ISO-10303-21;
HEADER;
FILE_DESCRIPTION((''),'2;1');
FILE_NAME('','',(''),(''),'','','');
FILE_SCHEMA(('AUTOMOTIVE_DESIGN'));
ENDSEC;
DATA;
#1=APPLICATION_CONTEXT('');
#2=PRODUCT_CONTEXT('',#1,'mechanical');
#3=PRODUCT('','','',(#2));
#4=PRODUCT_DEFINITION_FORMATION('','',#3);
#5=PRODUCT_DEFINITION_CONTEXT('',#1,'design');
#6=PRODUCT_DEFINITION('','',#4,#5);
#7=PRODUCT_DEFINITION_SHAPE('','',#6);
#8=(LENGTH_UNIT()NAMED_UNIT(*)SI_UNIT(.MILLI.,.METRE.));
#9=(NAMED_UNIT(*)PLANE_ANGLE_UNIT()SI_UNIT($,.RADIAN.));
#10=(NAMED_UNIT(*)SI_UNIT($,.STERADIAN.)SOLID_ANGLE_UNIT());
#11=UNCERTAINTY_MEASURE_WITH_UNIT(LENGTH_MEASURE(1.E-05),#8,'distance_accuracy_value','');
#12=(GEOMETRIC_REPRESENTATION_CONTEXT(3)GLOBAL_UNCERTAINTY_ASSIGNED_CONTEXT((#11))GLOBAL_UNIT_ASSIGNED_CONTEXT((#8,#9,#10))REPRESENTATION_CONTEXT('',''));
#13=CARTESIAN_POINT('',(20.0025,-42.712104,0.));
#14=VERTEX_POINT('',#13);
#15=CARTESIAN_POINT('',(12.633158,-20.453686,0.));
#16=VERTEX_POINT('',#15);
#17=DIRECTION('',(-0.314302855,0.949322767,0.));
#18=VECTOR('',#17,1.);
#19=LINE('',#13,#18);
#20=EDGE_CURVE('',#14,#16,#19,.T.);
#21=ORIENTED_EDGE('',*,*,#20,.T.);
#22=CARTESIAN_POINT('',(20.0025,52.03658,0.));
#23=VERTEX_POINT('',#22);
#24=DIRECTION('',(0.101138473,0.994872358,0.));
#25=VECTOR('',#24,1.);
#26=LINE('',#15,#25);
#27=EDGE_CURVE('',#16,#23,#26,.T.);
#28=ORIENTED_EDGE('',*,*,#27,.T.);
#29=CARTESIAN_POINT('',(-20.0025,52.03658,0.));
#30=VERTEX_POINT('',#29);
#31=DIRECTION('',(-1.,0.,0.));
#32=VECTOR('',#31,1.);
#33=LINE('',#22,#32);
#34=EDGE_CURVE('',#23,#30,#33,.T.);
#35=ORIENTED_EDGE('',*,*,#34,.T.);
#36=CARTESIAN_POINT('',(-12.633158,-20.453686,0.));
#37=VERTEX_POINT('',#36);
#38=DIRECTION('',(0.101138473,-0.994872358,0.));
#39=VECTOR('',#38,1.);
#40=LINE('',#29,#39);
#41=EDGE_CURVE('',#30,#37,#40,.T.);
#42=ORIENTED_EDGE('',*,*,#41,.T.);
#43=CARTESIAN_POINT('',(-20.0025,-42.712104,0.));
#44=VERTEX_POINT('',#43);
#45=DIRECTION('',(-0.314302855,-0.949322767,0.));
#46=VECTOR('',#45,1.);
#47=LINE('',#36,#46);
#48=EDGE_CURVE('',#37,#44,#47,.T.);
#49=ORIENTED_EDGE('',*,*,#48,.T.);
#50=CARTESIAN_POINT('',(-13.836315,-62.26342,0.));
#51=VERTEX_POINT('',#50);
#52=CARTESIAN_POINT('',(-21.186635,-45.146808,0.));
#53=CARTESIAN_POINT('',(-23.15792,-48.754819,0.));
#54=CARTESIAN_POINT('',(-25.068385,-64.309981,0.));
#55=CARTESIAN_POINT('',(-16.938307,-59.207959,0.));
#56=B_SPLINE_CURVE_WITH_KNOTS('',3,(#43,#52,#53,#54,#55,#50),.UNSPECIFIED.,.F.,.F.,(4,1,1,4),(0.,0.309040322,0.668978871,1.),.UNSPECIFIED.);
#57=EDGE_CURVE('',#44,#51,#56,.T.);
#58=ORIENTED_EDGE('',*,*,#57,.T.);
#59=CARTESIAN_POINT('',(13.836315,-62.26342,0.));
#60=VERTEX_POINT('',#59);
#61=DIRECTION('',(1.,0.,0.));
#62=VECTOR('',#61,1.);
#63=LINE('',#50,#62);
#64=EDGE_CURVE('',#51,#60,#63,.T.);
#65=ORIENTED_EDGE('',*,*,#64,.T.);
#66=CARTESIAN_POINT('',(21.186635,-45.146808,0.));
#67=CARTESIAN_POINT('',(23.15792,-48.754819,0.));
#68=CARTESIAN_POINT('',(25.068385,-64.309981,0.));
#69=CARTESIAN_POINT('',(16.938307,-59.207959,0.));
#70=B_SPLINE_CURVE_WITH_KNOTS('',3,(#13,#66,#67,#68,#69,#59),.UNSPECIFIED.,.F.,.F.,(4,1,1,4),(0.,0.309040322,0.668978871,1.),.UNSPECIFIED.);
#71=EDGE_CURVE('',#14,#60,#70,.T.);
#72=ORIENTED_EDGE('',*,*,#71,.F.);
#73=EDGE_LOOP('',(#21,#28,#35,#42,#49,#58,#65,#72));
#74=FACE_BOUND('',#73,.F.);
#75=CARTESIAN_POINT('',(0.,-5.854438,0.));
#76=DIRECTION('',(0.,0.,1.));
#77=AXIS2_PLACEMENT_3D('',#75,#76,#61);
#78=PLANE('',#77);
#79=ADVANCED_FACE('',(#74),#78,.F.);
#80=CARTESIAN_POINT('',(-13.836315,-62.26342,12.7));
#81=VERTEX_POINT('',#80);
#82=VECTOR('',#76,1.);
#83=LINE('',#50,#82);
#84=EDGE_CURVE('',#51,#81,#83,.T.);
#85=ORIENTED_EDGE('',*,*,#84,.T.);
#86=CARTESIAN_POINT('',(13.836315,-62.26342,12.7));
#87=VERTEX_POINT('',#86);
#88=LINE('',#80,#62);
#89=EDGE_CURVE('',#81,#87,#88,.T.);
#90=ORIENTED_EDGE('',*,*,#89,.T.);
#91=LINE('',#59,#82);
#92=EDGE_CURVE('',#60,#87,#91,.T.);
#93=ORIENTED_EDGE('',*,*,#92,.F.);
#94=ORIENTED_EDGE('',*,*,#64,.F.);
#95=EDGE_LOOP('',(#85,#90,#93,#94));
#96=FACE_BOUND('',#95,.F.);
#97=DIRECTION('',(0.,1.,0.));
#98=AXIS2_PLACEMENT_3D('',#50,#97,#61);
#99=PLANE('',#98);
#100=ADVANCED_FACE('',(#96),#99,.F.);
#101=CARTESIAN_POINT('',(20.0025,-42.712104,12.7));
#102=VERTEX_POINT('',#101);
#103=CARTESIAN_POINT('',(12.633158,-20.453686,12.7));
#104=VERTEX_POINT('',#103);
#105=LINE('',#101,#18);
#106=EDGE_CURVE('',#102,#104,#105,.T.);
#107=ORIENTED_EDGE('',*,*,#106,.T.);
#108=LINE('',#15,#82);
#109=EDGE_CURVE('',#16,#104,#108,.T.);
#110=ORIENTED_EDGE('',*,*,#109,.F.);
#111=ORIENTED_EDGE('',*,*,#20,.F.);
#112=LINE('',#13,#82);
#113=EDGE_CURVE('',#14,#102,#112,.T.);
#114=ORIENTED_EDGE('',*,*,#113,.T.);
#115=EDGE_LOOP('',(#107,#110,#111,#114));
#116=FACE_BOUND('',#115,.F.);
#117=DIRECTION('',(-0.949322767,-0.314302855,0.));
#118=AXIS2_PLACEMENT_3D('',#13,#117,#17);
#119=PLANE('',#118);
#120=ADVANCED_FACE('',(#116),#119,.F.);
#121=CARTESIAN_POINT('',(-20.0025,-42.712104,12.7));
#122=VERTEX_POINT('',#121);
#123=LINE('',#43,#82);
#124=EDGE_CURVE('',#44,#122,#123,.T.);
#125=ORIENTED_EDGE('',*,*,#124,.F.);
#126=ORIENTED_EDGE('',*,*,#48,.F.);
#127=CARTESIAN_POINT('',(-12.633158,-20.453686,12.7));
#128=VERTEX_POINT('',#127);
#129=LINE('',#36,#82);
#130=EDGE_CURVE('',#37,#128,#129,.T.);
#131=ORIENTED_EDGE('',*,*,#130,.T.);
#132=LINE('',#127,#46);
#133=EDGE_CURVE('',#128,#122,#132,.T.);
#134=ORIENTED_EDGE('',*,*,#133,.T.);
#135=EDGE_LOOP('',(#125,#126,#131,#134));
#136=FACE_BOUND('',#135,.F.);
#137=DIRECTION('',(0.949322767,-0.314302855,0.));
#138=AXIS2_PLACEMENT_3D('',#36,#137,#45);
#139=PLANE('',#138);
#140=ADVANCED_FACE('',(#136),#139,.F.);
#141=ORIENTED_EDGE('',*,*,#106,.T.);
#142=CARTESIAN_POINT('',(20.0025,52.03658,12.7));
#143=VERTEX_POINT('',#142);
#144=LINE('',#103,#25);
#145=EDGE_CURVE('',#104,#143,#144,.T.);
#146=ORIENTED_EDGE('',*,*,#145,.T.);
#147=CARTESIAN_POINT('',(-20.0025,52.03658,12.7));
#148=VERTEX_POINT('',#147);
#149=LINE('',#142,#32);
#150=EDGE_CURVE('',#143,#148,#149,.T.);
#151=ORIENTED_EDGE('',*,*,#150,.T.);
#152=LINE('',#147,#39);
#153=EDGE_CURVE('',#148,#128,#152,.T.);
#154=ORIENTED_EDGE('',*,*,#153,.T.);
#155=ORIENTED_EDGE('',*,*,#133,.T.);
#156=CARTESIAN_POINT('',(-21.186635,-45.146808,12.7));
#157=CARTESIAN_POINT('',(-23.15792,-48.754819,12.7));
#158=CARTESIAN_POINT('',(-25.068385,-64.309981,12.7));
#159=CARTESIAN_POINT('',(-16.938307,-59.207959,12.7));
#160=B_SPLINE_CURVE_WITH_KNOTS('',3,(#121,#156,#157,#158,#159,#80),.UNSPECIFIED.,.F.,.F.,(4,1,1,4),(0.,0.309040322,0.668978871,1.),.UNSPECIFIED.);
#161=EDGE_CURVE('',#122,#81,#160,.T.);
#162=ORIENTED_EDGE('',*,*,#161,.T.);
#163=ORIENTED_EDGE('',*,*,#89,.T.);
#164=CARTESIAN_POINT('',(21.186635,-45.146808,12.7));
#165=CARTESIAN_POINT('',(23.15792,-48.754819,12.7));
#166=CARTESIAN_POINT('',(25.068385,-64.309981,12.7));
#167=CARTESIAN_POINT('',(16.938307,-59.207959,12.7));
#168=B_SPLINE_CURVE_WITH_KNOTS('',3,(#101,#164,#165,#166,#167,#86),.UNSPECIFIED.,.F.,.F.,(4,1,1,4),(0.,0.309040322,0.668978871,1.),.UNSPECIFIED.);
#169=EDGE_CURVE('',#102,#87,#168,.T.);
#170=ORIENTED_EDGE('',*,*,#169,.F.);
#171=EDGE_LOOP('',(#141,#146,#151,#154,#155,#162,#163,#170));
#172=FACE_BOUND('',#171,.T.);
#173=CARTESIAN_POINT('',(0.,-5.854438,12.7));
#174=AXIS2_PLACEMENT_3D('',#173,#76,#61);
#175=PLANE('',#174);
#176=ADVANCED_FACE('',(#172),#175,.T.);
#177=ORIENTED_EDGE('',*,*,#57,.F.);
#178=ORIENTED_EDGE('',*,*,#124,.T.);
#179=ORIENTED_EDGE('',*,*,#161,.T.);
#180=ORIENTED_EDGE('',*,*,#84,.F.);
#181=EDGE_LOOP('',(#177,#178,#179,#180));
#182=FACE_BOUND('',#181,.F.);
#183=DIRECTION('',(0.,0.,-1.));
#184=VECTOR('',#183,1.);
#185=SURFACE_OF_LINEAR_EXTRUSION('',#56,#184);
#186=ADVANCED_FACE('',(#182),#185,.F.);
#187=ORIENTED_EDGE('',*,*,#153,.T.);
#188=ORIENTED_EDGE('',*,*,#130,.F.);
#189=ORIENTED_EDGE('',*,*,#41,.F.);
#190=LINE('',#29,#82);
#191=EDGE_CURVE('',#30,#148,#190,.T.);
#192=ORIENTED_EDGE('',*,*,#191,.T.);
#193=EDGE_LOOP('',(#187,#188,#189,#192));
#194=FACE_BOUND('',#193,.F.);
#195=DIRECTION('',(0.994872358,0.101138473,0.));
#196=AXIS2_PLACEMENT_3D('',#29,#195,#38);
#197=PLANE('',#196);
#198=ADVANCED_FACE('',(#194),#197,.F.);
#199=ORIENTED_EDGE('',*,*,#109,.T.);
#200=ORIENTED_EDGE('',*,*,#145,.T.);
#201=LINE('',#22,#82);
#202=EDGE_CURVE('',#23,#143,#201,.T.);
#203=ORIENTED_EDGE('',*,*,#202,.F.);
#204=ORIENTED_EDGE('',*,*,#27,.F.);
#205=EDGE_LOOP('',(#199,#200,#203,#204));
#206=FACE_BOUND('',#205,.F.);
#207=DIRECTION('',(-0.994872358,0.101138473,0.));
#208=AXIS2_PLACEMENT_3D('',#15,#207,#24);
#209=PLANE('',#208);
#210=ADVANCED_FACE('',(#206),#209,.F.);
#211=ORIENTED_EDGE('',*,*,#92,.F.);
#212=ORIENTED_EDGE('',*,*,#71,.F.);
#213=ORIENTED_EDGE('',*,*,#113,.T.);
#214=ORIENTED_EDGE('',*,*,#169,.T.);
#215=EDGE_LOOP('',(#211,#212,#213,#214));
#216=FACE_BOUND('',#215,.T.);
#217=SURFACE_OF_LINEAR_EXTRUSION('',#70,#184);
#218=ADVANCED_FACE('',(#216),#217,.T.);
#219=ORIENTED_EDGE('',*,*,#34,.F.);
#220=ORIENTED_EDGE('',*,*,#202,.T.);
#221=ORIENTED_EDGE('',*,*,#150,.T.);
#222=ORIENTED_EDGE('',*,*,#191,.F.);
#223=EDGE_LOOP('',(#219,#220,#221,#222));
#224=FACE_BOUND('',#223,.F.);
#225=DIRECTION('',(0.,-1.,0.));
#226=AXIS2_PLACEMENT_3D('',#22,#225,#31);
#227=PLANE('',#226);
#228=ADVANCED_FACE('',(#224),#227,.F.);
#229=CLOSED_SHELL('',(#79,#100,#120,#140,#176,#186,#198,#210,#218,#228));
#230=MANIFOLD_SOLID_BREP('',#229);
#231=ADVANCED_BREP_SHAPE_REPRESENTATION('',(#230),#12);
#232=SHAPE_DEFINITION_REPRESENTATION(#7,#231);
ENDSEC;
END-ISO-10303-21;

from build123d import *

# Parameters (mm, degrees)
F1_DEPTH = 12.7


with BuildPart() as f1:
    # F0 (on Top) → F1 (new body)
    with BuildSketch(Plane.XY):
        with BuildLine():
            Line((0, 52.0365796983), (-20.0025, 52.0365796983))
            Line((-20.0025, 52.0365796983), (-12.633157894, -20.4536858946))
            Line((-12.633157894, -20.4536858946), (-20.0025, -42.7121035755))
            add(Edge.make_bspline(
                [(-20.0025, -42.7121035755), (-21.1866346696, -45.1468080489), (-23.1579199792, -48.7548194432), (-25.0683852323, -64.3099806953), (-16.9383073123, -59.2079587227), (-13.8363149017, -62.2634203017)],
                knots=[0, 0, 0, 0, 0.3090403224, 0.6689788708, 1, 1, 1, 1], degree=3))
            Line((-13.8363149017, -62.2634203017), (0, -62.2634203017))
            Line((0, -62.2634203017), (13.8363149017, -62.2634203017))
            add(Edge.make_bspline(
                [(20.0025, -42.7121035755), (21.1866346696, -45.1468080489), (23.1579199792, -48.7548194432), (25.0683852323, -64.3099806953), (16.9383073123, -59.2079587227), (13.8363149017, -62.2634203017)],
                knots=[0, 0, 0, 0, 0.3090403224, 0.6689788708, 1, 1, 1, 1], degree=3))
            Line((20.0025, -42.7121035755), (12.633157894, -20.4536858946))
            Line((12.633157894, -20.4536858946), (20.0025, 52.0365796983))
            Line((20.0025, 52.0365796983), (0, 52.0365796983))
        make_face()
    extrude(amount=F1_DEPTH)


solid = f1.part
